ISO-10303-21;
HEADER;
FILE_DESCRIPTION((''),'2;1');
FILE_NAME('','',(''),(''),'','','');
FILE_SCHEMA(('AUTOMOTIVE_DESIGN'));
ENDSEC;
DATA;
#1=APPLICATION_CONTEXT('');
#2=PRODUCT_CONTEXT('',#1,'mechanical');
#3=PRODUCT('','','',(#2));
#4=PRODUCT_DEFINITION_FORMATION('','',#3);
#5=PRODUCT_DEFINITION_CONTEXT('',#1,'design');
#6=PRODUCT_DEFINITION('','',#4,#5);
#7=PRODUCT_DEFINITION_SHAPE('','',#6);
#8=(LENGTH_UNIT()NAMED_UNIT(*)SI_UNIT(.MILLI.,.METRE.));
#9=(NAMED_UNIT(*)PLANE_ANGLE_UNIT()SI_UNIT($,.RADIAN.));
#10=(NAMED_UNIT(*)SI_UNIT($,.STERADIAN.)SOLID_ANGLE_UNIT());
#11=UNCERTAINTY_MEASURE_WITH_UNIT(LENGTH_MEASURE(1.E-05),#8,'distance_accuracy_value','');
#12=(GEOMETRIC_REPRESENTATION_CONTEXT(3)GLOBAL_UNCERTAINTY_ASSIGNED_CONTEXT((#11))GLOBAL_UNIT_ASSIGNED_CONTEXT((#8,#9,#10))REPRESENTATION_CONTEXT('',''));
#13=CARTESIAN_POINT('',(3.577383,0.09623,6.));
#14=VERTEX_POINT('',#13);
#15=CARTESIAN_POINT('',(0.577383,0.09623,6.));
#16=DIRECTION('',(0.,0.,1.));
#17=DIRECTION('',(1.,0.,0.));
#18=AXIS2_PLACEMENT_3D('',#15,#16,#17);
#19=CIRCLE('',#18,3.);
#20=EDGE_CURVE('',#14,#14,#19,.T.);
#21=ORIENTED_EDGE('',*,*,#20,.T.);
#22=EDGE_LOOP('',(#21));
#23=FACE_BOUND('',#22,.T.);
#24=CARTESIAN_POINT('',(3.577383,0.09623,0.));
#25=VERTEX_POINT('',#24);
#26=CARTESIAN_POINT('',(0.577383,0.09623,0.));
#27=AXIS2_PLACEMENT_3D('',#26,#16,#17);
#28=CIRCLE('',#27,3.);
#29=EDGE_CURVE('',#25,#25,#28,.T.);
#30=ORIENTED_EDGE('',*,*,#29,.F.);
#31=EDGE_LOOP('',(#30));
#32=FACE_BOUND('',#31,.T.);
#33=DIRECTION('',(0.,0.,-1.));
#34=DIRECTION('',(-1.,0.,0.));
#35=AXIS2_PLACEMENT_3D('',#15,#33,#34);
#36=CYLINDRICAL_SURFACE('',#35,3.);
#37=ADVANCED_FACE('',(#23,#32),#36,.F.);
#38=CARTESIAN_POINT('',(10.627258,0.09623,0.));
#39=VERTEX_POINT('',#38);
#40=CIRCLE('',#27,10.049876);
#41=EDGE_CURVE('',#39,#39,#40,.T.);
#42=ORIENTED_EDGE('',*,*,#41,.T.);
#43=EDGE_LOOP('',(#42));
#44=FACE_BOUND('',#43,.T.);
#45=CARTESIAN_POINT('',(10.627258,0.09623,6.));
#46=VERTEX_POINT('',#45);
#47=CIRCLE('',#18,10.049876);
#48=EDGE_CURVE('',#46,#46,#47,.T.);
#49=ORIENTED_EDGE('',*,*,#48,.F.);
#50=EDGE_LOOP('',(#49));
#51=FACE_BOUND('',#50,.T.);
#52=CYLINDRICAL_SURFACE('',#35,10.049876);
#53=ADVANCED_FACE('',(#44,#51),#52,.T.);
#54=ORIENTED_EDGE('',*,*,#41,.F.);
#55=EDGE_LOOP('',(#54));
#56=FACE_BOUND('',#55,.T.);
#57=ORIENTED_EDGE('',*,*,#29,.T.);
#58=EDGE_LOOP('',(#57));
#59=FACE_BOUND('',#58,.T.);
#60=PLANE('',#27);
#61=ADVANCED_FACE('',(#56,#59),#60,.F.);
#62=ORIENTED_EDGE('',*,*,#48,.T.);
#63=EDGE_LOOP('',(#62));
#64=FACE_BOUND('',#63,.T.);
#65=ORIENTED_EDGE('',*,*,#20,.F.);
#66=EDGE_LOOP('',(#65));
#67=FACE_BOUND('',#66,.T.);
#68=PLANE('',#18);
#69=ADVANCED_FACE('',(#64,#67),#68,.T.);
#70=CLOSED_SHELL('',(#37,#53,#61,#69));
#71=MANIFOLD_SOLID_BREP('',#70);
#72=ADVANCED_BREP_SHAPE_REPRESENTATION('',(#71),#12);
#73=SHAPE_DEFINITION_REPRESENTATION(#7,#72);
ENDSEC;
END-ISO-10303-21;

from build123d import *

# Parameters (mm, degrees)
SKETCH1_R           = 10.049875621
SKETCH1_R_2         = 3
BOSS_EXTRUDE1_DEPTH = 6


with BuildPart() as part:
    # Sketch1 → Boss-Extrude1 (new body)
    with BuildSketch(Plane.XY):
        with Locations((0.57738265, 0.096230442)):
            Circle(SKETCH1_R)
        with Locations((0.57738265, 0.096230442)):
            Circle(SKETCH1_R_2, mode=Mode.SUBTRACT)
    extrude(amount=BOSS_EXTRUDE1_DEPTH)


solid = part.part
